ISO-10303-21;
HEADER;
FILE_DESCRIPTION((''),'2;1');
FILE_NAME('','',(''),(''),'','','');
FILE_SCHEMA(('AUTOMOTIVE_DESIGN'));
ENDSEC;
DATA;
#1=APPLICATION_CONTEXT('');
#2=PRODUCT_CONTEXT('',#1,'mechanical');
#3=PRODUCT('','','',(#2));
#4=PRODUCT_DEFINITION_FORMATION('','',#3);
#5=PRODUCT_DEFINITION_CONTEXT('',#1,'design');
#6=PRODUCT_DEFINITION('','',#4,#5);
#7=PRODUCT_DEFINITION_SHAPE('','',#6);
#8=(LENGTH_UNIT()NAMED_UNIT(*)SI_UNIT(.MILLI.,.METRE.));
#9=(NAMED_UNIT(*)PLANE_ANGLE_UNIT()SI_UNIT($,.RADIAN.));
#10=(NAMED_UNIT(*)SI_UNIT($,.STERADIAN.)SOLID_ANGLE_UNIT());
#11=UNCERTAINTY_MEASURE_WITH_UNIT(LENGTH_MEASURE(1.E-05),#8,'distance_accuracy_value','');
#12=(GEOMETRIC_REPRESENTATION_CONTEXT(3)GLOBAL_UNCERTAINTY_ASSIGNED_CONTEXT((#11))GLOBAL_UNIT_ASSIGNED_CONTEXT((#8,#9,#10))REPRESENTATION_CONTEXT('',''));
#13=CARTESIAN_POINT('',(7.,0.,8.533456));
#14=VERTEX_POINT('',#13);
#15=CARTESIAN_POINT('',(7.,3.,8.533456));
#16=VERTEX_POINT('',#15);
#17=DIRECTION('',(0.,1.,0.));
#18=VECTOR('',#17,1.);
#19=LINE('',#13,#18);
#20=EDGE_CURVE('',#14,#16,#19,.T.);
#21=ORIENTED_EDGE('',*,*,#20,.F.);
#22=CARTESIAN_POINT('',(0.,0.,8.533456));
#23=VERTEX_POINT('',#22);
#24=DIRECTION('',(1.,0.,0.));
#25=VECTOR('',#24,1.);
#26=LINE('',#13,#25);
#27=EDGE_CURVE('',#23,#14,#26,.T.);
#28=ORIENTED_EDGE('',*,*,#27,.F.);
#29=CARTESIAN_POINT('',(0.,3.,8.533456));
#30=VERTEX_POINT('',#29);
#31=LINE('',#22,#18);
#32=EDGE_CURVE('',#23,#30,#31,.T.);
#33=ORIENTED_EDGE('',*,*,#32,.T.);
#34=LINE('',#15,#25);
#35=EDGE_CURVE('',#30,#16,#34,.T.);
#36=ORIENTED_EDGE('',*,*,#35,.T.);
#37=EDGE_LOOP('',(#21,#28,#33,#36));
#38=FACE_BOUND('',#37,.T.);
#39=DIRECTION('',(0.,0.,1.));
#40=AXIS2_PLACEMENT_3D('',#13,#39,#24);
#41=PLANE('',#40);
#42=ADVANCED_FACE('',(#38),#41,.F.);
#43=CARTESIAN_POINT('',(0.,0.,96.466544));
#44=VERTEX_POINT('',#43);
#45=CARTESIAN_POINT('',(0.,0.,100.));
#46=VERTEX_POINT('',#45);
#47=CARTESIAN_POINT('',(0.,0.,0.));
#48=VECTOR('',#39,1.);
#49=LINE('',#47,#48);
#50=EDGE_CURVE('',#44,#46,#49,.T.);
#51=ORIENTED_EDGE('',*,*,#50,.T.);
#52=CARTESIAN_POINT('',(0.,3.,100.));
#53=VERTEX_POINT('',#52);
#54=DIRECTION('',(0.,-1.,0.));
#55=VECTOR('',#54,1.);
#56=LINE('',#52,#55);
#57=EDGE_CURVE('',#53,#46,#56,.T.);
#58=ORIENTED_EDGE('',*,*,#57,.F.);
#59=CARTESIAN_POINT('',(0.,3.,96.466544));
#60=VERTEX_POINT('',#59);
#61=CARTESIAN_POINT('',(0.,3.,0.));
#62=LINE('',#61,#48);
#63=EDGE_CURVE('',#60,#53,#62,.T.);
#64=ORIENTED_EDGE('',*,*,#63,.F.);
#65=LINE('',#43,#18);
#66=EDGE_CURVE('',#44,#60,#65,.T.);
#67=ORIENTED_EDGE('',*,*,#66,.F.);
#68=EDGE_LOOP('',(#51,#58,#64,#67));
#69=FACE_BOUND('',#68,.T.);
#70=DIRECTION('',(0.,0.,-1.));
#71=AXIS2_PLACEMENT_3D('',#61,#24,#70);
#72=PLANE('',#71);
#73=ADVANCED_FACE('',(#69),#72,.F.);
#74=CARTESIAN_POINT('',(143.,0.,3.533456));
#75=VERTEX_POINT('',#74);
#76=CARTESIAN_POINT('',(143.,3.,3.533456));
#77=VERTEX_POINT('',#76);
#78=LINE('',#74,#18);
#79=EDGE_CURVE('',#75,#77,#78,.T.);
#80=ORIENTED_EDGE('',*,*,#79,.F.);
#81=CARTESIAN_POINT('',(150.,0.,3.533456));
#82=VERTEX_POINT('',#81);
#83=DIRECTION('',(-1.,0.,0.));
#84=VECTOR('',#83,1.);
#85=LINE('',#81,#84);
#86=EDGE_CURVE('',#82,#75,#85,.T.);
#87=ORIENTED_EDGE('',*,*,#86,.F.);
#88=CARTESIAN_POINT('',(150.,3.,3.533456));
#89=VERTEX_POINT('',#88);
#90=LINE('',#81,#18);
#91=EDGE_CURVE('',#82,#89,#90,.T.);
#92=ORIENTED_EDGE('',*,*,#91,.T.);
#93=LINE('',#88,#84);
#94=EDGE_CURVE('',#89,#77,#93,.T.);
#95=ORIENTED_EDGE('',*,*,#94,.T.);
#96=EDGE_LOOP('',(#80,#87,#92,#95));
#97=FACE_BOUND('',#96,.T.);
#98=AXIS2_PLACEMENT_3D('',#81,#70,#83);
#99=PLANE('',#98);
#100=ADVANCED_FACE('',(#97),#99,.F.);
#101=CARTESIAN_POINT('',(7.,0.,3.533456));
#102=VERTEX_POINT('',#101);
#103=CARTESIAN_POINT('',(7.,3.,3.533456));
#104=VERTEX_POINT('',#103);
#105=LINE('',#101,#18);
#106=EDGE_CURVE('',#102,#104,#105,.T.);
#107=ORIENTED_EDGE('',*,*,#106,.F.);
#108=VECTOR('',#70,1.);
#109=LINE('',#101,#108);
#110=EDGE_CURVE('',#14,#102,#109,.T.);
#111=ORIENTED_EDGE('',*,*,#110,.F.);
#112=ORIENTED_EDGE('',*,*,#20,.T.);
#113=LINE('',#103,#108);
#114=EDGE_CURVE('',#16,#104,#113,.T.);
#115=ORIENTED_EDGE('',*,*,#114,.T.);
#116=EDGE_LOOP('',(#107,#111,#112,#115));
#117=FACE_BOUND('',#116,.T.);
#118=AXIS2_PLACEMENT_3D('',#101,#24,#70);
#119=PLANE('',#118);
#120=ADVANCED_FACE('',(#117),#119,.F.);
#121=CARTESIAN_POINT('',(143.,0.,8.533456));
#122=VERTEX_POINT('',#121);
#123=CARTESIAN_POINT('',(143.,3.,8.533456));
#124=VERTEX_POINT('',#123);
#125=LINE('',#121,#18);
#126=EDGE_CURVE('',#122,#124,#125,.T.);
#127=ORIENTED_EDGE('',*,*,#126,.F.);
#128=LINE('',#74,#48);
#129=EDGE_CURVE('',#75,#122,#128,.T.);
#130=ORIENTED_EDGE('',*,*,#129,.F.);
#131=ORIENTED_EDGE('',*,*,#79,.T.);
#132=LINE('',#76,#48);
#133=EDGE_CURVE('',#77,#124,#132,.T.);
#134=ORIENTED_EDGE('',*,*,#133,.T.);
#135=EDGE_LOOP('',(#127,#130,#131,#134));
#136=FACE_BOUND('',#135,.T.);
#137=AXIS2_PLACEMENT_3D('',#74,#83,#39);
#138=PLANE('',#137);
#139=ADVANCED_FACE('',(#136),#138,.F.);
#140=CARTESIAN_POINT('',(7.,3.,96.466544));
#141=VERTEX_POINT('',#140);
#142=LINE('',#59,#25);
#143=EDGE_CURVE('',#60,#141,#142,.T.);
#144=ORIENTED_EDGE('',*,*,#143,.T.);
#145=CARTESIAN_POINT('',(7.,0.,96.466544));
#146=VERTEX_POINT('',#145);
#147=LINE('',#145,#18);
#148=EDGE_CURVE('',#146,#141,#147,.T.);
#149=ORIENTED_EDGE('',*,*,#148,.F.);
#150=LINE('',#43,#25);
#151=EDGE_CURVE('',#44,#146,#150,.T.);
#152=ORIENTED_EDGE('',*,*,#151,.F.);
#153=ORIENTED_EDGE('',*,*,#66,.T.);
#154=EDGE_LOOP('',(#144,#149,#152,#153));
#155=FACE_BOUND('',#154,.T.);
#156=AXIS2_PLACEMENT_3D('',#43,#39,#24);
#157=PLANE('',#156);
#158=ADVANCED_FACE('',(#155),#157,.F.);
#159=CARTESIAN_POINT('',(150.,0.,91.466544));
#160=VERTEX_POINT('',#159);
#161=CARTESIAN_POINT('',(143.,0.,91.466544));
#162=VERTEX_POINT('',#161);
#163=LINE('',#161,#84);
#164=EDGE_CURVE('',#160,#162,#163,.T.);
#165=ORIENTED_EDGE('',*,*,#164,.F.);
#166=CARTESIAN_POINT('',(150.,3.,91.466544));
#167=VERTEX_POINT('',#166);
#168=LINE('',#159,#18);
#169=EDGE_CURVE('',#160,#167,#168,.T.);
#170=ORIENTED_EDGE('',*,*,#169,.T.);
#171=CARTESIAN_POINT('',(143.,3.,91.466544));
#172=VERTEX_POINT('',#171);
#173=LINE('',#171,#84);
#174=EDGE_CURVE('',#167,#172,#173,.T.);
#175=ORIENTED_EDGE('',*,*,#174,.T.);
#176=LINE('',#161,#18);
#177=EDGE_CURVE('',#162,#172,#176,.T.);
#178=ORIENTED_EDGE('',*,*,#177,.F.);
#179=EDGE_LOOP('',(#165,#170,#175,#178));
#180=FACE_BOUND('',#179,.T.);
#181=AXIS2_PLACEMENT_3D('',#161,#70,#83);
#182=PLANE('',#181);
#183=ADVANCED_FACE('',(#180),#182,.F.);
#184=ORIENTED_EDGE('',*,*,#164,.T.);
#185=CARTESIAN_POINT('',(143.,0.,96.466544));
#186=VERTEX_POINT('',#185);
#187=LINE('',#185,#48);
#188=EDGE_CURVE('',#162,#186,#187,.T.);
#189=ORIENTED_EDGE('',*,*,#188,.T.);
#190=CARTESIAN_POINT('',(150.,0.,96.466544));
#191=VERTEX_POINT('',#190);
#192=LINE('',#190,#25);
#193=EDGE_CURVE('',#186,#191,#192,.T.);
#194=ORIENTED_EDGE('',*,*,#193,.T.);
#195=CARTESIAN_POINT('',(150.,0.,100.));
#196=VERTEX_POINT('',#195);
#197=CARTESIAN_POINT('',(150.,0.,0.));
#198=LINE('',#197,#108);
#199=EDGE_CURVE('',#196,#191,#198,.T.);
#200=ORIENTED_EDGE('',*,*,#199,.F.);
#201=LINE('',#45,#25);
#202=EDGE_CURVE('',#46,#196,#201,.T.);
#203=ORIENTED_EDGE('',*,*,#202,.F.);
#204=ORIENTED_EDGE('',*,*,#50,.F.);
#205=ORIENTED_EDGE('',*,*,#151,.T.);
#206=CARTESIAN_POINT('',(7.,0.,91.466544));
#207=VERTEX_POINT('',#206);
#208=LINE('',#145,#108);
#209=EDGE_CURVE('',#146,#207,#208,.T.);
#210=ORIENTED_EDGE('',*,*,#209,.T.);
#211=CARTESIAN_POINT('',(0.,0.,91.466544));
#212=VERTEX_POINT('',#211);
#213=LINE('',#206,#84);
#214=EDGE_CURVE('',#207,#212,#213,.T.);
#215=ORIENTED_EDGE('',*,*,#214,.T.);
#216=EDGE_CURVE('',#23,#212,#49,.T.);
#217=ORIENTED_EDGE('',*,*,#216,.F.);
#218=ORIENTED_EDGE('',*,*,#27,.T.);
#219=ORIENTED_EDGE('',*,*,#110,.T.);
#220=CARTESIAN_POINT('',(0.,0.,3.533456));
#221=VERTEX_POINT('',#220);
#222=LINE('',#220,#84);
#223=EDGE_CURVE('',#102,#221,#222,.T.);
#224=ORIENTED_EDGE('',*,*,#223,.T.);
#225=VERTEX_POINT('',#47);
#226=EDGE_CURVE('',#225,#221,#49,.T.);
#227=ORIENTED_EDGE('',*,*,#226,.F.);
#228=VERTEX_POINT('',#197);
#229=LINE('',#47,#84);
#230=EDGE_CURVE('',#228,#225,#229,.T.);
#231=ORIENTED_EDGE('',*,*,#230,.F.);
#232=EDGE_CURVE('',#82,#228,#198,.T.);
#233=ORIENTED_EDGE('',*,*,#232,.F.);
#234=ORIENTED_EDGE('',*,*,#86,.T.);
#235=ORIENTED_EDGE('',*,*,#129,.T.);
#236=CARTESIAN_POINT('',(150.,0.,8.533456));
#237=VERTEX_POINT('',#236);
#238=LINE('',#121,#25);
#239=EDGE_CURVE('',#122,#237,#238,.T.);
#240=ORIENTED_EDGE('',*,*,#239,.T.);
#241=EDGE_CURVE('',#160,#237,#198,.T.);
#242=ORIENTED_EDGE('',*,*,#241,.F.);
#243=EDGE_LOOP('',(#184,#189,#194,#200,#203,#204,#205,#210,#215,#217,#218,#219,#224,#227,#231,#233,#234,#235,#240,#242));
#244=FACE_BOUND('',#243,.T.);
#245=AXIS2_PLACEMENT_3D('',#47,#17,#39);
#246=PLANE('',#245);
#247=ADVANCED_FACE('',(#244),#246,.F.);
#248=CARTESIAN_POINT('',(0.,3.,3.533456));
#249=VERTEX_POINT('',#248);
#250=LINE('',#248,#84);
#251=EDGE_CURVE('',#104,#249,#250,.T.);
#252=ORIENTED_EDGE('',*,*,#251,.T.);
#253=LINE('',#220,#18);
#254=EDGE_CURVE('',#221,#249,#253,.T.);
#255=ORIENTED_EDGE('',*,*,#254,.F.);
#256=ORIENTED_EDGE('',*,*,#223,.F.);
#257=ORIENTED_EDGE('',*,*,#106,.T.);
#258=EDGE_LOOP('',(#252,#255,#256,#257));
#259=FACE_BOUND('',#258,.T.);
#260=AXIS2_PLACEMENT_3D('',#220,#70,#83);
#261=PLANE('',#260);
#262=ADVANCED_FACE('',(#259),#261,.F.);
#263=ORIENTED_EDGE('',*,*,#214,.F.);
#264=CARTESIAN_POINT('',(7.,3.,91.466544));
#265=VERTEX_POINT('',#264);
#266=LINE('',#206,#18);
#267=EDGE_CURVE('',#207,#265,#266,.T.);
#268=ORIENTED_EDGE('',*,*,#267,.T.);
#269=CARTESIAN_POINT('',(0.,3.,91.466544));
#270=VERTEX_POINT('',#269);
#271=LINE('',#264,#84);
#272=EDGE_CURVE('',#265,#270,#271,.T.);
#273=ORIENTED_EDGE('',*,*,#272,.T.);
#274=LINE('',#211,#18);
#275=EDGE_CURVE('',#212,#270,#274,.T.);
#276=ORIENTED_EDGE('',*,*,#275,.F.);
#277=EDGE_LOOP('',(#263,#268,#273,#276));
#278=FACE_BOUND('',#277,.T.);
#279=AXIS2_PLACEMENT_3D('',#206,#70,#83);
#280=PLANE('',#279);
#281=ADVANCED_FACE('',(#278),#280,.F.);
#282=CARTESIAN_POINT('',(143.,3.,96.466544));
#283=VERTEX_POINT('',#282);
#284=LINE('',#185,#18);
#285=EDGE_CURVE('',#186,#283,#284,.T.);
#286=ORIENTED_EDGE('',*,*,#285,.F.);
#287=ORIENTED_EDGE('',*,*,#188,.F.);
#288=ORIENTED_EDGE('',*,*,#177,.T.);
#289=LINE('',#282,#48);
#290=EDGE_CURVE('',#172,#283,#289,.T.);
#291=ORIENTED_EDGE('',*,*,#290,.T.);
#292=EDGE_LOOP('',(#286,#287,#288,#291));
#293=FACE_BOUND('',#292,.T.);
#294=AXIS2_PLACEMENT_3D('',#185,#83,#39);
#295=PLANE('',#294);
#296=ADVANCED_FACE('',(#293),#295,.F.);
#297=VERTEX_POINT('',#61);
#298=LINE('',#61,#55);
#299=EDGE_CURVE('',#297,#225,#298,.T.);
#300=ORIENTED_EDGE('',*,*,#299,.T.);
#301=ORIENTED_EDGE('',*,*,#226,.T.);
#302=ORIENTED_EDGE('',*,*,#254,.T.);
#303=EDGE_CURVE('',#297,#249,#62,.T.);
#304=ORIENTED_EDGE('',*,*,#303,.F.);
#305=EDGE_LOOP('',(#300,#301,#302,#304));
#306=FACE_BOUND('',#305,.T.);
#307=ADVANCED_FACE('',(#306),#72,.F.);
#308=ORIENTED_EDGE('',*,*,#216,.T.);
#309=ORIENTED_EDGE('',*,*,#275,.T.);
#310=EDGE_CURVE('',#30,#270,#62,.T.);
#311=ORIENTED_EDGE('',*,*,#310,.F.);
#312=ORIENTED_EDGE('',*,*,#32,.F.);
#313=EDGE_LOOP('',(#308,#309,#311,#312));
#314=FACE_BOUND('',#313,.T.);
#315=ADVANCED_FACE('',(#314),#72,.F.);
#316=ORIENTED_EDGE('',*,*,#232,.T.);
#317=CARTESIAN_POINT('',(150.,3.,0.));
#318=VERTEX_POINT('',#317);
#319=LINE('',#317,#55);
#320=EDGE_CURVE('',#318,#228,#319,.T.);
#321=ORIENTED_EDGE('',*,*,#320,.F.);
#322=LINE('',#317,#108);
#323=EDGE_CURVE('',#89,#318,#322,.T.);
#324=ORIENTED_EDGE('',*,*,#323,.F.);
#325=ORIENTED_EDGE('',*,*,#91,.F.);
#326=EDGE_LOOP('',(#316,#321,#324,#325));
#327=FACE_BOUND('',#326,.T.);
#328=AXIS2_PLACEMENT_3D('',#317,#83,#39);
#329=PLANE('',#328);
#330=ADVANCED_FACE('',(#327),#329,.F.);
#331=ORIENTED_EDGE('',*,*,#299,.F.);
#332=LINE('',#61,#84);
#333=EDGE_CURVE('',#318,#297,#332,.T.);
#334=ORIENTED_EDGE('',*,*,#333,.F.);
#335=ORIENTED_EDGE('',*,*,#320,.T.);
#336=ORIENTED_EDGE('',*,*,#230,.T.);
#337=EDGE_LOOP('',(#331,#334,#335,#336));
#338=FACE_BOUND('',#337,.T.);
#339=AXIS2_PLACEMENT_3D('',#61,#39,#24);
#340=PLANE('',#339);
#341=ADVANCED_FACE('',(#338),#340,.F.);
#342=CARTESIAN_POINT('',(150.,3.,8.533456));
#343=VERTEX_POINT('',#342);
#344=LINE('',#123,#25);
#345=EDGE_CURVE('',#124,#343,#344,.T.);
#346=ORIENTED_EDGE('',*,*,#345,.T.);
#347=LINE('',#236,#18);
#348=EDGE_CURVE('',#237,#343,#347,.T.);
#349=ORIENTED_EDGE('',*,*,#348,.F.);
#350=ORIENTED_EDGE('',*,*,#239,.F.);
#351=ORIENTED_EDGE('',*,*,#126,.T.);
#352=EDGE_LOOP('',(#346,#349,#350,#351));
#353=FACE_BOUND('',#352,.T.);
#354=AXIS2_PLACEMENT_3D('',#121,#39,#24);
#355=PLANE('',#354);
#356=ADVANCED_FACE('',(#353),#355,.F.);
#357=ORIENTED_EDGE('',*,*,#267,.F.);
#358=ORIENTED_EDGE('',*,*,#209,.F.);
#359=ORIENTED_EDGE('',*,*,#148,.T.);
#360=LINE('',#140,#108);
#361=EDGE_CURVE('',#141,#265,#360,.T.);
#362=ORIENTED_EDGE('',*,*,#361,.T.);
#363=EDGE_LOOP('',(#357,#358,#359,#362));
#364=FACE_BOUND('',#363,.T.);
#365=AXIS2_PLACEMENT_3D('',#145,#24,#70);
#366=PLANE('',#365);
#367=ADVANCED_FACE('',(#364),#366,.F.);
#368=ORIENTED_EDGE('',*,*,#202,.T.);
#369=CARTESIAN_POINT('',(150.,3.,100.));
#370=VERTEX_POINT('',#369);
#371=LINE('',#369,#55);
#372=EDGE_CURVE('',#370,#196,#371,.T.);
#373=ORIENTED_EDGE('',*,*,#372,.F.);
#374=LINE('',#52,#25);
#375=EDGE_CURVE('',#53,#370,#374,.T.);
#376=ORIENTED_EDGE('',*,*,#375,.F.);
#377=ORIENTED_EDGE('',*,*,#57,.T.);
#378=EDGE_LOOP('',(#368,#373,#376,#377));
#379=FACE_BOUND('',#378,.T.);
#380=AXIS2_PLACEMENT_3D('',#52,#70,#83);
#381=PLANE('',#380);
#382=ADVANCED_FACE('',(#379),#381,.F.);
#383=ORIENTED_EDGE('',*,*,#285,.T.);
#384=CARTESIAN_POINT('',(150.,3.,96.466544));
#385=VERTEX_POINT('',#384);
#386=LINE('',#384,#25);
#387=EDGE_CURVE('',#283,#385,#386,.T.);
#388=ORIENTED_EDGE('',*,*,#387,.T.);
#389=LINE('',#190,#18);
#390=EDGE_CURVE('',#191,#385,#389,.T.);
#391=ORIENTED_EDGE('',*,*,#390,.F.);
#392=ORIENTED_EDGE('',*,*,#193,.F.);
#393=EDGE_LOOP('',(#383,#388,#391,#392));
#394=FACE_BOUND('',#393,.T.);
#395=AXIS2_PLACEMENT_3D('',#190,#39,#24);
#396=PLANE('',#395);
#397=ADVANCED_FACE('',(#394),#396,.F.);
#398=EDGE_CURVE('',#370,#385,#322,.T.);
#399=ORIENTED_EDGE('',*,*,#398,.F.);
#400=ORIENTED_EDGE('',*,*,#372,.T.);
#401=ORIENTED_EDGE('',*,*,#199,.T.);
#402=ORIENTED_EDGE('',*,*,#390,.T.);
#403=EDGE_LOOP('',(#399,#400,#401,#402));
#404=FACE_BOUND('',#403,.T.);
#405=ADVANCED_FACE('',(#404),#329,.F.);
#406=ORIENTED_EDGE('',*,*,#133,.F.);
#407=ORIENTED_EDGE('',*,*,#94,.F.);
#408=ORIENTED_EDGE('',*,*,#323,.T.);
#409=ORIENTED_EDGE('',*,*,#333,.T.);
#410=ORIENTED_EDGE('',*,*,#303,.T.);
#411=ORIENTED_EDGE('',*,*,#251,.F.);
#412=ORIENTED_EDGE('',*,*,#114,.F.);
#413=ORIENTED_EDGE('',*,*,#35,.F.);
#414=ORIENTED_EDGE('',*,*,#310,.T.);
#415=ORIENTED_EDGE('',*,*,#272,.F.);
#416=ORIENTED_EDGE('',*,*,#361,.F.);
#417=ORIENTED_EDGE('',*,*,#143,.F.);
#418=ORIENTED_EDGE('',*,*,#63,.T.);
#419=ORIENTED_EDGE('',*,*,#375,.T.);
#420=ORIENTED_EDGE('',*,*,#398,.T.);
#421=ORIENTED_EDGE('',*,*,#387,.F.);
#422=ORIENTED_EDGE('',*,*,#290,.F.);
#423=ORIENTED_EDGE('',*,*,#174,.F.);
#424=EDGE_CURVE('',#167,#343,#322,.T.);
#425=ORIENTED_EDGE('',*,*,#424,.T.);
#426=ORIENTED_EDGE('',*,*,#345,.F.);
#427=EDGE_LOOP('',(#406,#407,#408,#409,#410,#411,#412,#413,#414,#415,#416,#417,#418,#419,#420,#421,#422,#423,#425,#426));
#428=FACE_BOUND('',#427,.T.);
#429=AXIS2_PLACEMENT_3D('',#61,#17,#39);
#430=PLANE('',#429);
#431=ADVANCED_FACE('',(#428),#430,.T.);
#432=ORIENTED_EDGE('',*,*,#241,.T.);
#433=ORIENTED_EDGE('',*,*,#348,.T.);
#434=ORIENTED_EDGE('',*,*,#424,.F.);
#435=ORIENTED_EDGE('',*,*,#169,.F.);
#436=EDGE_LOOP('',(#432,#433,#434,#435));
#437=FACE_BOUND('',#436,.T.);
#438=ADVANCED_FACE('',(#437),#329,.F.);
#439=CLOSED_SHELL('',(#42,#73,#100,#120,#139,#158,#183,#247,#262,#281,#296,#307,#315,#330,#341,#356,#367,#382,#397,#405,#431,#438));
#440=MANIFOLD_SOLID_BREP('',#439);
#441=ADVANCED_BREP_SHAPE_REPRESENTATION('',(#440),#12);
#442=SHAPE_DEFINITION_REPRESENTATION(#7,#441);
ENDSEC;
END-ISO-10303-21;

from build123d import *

# Parameters (mm, degrees)
SKETCH1_W           = 150
SKETCH1_H           = 100
BOSS_EXTRUDE1_DEPTH = 3
SKETCH2_W           = 7
SKETCH2_H           = 5
CUT_EXTRUDE1_DEPTH  = 3


with BuildPart() as part:
    # Sketch1 → Boss-Extrude1 (new body)
    with BuildSketch(Plane(origin=(0, 0, 0), x_dir=(1, 0, 0), z_dir=(0, 1, 0))):
        with Locations((75, -50)):
            Rectangle(SKETCH1_W, SKETCH1_H)
    extrude(amount=BOSS_EXTRUDE1_DEPTH)

    # Sketch2 → Cut-Extrude1 (cut)
    with BuildSketch(Plane(origin=(0, 3, 0), x_dir=(1, 0, 0), z_dir=(0, 1, 0))):
        with Locations((146.5, -93.966543848)):
            Rectangle(SKETCH2_W, SKETCH2_H)
        with Locations((146.5, -6.033456152)):
            Rectangle(SKETCH2_W, SKETCH2_H)
        with Locations((3.5, -93.966543848)):
            Rectangle(SKETCH2_W, SKETCH2_H)
        with Locations((3.5, -6.033456152)):
            Rectangle(SKETCH2_W, SKETCH2_H)
    extrude(amount=-CUT_EXTRUDE1_DEPTH, mode=Mode.SUBTRACT)


solid = part.part
